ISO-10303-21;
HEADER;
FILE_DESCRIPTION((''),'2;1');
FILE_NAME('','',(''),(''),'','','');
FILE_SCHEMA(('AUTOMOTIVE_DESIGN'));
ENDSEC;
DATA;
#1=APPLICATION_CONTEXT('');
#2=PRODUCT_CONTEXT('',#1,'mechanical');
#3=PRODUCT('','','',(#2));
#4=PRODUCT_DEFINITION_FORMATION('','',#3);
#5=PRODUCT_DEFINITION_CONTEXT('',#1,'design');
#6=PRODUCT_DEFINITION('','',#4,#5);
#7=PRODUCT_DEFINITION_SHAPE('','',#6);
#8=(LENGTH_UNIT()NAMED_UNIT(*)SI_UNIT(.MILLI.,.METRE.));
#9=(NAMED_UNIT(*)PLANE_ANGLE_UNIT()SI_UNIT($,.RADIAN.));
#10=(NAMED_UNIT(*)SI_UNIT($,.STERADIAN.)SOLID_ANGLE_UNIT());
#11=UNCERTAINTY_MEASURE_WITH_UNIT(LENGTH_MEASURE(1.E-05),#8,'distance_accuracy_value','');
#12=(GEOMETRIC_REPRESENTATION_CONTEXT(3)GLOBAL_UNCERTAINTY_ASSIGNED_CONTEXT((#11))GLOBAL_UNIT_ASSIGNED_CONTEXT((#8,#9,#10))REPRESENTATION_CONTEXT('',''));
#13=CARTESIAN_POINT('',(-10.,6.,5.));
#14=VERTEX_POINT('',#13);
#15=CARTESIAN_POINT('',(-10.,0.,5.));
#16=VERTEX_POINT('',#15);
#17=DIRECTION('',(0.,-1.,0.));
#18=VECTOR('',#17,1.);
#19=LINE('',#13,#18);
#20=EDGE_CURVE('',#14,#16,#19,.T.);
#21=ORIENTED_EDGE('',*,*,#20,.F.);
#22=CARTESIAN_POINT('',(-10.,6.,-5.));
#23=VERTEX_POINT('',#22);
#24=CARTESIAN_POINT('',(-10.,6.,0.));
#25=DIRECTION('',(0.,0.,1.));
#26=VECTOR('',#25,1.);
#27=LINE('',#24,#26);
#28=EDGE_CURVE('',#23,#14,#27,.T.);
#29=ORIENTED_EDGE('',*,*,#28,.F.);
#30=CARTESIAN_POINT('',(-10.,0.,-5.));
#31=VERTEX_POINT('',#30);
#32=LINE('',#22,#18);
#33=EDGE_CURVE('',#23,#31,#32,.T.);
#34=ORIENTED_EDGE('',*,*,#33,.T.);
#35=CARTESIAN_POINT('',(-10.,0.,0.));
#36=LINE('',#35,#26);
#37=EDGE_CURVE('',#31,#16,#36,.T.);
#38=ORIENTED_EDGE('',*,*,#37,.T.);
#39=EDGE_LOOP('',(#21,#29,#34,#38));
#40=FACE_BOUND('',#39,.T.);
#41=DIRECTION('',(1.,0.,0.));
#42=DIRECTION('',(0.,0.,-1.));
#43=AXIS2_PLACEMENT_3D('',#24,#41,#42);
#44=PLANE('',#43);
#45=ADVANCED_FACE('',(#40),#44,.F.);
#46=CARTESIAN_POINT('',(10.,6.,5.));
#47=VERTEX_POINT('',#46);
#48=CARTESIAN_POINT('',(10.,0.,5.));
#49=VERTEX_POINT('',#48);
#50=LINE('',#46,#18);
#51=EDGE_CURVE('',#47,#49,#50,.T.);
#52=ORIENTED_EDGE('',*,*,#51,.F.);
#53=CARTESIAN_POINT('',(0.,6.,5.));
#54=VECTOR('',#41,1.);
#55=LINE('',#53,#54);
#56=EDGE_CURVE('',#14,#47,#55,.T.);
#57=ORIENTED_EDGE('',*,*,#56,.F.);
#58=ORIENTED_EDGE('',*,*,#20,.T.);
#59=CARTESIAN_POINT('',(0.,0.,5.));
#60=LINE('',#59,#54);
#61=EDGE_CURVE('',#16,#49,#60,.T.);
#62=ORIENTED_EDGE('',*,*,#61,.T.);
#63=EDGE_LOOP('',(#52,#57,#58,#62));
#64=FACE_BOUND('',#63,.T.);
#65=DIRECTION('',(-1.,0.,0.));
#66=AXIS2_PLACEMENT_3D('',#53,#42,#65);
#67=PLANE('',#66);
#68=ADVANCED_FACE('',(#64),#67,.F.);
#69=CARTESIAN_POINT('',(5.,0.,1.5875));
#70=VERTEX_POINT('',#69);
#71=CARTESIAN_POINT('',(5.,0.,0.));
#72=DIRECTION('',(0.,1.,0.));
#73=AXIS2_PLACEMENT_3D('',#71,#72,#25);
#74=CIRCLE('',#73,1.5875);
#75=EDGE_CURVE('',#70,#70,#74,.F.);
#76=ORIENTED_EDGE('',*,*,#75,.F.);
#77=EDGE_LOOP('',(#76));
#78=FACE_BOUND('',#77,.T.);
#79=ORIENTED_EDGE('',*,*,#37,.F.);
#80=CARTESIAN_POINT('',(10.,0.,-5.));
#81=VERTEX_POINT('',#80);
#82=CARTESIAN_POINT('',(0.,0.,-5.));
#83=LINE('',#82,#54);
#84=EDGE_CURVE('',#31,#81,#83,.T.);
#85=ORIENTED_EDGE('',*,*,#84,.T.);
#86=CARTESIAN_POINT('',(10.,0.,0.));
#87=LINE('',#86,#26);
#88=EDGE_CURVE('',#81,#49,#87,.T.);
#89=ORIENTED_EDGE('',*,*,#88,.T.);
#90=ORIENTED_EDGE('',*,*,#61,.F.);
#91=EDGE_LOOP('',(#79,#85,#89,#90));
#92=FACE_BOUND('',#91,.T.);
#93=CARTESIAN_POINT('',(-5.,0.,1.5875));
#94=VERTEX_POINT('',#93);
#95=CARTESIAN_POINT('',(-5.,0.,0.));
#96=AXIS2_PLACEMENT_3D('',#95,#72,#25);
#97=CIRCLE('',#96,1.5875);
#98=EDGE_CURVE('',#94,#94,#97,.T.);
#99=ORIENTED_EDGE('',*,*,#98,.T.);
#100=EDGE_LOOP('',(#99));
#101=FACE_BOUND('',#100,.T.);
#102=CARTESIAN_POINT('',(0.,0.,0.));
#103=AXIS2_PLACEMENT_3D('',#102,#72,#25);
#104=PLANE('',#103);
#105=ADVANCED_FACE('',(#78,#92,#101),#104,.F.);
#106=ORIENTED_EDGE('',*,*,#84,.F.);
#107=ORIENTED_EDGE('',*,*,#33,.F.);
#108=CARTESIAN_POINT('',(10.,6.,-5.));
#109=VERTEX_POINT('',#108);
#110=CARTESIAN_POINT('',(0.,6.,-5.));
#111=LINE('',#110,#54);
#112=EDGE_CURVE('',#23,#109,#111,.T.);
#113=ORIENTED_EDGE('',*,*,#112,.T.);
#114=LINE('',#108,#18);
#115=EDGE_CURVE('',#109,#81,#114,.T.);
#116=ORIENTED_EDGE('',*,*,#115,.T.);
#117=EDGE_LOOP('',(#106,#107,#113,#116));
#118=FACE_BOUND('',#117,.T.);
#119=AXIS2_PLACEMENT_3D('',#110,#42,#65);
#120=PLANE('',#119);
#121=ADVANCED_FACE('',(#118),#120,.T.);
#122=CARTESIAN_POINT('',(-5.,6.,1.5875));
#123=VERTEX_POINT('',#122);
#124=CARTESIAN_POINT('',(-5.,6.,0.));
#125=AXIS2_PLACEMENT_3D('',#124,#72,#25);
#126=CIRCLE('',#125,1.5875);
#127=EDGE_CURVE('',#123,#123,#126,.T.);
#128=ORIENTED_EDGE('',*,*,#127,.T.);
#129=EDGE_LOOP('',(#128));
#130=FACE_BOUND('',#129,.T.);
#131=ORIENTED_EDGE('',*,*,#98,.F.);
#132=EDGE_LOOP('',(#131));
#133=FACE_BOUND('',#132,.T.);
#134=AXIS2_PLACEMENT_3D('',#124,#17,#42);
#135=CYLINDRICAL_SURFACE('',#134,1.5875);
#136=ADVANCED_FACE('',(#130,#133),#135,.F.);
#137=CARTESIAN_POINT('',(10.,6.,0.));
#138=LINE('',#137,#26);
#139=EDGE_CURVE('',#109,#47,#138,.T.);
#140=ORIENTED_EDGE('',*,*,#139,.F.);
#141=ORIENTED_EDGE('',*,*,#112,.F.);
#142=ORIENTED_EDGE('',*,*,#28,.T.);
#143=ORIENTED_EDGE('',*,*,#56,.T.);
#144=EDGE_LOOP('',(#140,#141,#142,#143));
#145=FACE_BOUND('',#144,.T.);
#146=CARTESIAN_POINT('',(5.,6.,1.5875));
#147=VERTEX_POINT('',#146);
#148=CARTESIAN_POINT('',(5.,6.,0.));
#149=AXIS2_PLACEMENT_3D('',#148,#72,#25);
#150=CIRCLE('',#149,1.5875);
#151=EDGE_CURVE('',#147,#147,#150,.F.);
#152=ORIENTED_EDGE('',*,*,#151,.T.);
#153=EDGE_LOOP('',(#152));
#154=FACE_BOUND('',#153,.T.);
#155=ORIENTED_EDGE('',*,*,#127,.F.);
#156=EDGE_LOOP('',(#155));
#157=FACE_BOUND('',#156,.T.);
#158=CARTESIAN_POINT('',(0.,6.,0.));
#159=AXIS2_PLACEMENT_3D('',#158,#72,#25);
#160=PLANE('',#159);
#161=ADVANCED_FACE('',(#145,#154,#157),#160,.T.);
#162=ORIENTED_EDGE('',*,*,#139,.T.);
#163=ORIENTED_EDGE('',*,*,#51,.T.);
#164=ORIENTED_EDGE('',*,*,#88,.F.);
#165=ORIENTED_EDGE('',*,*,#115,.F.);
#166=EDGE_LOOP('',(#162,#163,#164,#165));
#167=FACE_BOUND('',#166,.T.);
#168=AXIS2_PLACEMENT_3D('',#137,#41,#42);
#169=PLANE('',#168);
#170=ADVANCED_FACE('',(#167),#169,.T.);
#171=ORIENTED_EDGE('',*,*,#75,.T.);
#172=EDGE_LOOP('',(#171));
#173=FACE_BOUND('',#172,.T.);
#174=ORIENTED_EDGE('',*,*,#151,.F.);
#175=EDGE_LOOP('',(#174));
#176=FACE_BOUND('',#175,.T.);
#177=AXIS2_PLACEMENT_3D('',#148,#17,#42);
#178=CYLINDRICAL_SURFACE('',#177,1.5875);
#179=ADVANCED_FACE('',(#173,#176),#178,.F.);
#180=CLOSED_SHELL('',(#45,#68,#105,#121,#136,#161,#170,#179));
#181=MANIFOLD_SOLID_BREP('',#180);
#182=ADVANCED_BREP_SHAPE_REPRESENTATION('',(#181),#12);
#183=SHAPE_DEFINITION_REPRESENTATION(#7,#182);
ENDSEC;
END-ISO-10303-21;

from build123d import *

# Parameters (mm, degrees)
SKETCH1_W           = 10
SKETCH1_H           = 10
SKETCH1_R           = 1.5875
BOSS_EXTRUDE1_DEPTH = 6


with BuildPart() as part:
    # Sketch1 → Boss-Extrude1 (new body)
    # profile 1 of 4: a face of its own
    with BuildSketch(Plane(origin=(0, 0, 0), x_dir=(1, 0, 0), z_dir=(0, 1, 0))):
        with BuildLine():
            Line((0, -5), (0, 5))
            Line((0, 5), (-5, 2.5))
            Line((-5, 2.5), (-5, 1.5875))
            ThreePointArc((-5, 1.5875), (-3.877467985, 1.122532015), (-3.4125, 0))
            ThreePointArc((-3.4125, 0), (-3.877467985, -1.122532015), (-5, -1.5875))
            Line((-5, -1.5875), (-5, -5))
            Line((-5, -5), (0, -5))
        make_face()
    # profile 2 of 4: a face of its own
    with BuildSketch(Plane(origin=(0, 0, 0), x_dir=(1, 0, 0), z_dir=(0, 1, 0))):
        with BuildLine():
            Line((-5, 2.5), (-10, 0))
            Line((-10, 0), (-10, -5))
            Line((-10, -5), (-5, -5))
            Line((-5, -5), (-5, -1.5875))
            ThreePointArc((-5, -1.5875), (-6.5875, 0), (-5, 1.5875))
            Line((-5, 1.5875), (-5, 2.5))
        make_face()
    # profile 3 of 4: a face of its own
    with BuildSketch(Plane(origin=(0, 0, 0), x_dir=(1, 0, 0), z_dir=(0, 1, 0))):
        Polygon((0, 5), (-10, 5), (-10, 0), (-5, 2.5), align=None)
    # profile 4 of 4: a face of its own
    with BuildSketch(Plane(origin=(0, 0, 0), x_dir=(1, 0, 0), z_dir=(0, 1, 0))):
        with Locations((5, 0)):
            Rectangle(SKETCH1_W, SKETCH1_H)
        with Locations(Location((5, 0, 0), (0, 0, 270))):
            Circle(SKETCH1_R, mode=Mode.SUBTRACT)
    extrude(amount=BOSS_EXTRUDE1_DEPTH)


solid = part.part
